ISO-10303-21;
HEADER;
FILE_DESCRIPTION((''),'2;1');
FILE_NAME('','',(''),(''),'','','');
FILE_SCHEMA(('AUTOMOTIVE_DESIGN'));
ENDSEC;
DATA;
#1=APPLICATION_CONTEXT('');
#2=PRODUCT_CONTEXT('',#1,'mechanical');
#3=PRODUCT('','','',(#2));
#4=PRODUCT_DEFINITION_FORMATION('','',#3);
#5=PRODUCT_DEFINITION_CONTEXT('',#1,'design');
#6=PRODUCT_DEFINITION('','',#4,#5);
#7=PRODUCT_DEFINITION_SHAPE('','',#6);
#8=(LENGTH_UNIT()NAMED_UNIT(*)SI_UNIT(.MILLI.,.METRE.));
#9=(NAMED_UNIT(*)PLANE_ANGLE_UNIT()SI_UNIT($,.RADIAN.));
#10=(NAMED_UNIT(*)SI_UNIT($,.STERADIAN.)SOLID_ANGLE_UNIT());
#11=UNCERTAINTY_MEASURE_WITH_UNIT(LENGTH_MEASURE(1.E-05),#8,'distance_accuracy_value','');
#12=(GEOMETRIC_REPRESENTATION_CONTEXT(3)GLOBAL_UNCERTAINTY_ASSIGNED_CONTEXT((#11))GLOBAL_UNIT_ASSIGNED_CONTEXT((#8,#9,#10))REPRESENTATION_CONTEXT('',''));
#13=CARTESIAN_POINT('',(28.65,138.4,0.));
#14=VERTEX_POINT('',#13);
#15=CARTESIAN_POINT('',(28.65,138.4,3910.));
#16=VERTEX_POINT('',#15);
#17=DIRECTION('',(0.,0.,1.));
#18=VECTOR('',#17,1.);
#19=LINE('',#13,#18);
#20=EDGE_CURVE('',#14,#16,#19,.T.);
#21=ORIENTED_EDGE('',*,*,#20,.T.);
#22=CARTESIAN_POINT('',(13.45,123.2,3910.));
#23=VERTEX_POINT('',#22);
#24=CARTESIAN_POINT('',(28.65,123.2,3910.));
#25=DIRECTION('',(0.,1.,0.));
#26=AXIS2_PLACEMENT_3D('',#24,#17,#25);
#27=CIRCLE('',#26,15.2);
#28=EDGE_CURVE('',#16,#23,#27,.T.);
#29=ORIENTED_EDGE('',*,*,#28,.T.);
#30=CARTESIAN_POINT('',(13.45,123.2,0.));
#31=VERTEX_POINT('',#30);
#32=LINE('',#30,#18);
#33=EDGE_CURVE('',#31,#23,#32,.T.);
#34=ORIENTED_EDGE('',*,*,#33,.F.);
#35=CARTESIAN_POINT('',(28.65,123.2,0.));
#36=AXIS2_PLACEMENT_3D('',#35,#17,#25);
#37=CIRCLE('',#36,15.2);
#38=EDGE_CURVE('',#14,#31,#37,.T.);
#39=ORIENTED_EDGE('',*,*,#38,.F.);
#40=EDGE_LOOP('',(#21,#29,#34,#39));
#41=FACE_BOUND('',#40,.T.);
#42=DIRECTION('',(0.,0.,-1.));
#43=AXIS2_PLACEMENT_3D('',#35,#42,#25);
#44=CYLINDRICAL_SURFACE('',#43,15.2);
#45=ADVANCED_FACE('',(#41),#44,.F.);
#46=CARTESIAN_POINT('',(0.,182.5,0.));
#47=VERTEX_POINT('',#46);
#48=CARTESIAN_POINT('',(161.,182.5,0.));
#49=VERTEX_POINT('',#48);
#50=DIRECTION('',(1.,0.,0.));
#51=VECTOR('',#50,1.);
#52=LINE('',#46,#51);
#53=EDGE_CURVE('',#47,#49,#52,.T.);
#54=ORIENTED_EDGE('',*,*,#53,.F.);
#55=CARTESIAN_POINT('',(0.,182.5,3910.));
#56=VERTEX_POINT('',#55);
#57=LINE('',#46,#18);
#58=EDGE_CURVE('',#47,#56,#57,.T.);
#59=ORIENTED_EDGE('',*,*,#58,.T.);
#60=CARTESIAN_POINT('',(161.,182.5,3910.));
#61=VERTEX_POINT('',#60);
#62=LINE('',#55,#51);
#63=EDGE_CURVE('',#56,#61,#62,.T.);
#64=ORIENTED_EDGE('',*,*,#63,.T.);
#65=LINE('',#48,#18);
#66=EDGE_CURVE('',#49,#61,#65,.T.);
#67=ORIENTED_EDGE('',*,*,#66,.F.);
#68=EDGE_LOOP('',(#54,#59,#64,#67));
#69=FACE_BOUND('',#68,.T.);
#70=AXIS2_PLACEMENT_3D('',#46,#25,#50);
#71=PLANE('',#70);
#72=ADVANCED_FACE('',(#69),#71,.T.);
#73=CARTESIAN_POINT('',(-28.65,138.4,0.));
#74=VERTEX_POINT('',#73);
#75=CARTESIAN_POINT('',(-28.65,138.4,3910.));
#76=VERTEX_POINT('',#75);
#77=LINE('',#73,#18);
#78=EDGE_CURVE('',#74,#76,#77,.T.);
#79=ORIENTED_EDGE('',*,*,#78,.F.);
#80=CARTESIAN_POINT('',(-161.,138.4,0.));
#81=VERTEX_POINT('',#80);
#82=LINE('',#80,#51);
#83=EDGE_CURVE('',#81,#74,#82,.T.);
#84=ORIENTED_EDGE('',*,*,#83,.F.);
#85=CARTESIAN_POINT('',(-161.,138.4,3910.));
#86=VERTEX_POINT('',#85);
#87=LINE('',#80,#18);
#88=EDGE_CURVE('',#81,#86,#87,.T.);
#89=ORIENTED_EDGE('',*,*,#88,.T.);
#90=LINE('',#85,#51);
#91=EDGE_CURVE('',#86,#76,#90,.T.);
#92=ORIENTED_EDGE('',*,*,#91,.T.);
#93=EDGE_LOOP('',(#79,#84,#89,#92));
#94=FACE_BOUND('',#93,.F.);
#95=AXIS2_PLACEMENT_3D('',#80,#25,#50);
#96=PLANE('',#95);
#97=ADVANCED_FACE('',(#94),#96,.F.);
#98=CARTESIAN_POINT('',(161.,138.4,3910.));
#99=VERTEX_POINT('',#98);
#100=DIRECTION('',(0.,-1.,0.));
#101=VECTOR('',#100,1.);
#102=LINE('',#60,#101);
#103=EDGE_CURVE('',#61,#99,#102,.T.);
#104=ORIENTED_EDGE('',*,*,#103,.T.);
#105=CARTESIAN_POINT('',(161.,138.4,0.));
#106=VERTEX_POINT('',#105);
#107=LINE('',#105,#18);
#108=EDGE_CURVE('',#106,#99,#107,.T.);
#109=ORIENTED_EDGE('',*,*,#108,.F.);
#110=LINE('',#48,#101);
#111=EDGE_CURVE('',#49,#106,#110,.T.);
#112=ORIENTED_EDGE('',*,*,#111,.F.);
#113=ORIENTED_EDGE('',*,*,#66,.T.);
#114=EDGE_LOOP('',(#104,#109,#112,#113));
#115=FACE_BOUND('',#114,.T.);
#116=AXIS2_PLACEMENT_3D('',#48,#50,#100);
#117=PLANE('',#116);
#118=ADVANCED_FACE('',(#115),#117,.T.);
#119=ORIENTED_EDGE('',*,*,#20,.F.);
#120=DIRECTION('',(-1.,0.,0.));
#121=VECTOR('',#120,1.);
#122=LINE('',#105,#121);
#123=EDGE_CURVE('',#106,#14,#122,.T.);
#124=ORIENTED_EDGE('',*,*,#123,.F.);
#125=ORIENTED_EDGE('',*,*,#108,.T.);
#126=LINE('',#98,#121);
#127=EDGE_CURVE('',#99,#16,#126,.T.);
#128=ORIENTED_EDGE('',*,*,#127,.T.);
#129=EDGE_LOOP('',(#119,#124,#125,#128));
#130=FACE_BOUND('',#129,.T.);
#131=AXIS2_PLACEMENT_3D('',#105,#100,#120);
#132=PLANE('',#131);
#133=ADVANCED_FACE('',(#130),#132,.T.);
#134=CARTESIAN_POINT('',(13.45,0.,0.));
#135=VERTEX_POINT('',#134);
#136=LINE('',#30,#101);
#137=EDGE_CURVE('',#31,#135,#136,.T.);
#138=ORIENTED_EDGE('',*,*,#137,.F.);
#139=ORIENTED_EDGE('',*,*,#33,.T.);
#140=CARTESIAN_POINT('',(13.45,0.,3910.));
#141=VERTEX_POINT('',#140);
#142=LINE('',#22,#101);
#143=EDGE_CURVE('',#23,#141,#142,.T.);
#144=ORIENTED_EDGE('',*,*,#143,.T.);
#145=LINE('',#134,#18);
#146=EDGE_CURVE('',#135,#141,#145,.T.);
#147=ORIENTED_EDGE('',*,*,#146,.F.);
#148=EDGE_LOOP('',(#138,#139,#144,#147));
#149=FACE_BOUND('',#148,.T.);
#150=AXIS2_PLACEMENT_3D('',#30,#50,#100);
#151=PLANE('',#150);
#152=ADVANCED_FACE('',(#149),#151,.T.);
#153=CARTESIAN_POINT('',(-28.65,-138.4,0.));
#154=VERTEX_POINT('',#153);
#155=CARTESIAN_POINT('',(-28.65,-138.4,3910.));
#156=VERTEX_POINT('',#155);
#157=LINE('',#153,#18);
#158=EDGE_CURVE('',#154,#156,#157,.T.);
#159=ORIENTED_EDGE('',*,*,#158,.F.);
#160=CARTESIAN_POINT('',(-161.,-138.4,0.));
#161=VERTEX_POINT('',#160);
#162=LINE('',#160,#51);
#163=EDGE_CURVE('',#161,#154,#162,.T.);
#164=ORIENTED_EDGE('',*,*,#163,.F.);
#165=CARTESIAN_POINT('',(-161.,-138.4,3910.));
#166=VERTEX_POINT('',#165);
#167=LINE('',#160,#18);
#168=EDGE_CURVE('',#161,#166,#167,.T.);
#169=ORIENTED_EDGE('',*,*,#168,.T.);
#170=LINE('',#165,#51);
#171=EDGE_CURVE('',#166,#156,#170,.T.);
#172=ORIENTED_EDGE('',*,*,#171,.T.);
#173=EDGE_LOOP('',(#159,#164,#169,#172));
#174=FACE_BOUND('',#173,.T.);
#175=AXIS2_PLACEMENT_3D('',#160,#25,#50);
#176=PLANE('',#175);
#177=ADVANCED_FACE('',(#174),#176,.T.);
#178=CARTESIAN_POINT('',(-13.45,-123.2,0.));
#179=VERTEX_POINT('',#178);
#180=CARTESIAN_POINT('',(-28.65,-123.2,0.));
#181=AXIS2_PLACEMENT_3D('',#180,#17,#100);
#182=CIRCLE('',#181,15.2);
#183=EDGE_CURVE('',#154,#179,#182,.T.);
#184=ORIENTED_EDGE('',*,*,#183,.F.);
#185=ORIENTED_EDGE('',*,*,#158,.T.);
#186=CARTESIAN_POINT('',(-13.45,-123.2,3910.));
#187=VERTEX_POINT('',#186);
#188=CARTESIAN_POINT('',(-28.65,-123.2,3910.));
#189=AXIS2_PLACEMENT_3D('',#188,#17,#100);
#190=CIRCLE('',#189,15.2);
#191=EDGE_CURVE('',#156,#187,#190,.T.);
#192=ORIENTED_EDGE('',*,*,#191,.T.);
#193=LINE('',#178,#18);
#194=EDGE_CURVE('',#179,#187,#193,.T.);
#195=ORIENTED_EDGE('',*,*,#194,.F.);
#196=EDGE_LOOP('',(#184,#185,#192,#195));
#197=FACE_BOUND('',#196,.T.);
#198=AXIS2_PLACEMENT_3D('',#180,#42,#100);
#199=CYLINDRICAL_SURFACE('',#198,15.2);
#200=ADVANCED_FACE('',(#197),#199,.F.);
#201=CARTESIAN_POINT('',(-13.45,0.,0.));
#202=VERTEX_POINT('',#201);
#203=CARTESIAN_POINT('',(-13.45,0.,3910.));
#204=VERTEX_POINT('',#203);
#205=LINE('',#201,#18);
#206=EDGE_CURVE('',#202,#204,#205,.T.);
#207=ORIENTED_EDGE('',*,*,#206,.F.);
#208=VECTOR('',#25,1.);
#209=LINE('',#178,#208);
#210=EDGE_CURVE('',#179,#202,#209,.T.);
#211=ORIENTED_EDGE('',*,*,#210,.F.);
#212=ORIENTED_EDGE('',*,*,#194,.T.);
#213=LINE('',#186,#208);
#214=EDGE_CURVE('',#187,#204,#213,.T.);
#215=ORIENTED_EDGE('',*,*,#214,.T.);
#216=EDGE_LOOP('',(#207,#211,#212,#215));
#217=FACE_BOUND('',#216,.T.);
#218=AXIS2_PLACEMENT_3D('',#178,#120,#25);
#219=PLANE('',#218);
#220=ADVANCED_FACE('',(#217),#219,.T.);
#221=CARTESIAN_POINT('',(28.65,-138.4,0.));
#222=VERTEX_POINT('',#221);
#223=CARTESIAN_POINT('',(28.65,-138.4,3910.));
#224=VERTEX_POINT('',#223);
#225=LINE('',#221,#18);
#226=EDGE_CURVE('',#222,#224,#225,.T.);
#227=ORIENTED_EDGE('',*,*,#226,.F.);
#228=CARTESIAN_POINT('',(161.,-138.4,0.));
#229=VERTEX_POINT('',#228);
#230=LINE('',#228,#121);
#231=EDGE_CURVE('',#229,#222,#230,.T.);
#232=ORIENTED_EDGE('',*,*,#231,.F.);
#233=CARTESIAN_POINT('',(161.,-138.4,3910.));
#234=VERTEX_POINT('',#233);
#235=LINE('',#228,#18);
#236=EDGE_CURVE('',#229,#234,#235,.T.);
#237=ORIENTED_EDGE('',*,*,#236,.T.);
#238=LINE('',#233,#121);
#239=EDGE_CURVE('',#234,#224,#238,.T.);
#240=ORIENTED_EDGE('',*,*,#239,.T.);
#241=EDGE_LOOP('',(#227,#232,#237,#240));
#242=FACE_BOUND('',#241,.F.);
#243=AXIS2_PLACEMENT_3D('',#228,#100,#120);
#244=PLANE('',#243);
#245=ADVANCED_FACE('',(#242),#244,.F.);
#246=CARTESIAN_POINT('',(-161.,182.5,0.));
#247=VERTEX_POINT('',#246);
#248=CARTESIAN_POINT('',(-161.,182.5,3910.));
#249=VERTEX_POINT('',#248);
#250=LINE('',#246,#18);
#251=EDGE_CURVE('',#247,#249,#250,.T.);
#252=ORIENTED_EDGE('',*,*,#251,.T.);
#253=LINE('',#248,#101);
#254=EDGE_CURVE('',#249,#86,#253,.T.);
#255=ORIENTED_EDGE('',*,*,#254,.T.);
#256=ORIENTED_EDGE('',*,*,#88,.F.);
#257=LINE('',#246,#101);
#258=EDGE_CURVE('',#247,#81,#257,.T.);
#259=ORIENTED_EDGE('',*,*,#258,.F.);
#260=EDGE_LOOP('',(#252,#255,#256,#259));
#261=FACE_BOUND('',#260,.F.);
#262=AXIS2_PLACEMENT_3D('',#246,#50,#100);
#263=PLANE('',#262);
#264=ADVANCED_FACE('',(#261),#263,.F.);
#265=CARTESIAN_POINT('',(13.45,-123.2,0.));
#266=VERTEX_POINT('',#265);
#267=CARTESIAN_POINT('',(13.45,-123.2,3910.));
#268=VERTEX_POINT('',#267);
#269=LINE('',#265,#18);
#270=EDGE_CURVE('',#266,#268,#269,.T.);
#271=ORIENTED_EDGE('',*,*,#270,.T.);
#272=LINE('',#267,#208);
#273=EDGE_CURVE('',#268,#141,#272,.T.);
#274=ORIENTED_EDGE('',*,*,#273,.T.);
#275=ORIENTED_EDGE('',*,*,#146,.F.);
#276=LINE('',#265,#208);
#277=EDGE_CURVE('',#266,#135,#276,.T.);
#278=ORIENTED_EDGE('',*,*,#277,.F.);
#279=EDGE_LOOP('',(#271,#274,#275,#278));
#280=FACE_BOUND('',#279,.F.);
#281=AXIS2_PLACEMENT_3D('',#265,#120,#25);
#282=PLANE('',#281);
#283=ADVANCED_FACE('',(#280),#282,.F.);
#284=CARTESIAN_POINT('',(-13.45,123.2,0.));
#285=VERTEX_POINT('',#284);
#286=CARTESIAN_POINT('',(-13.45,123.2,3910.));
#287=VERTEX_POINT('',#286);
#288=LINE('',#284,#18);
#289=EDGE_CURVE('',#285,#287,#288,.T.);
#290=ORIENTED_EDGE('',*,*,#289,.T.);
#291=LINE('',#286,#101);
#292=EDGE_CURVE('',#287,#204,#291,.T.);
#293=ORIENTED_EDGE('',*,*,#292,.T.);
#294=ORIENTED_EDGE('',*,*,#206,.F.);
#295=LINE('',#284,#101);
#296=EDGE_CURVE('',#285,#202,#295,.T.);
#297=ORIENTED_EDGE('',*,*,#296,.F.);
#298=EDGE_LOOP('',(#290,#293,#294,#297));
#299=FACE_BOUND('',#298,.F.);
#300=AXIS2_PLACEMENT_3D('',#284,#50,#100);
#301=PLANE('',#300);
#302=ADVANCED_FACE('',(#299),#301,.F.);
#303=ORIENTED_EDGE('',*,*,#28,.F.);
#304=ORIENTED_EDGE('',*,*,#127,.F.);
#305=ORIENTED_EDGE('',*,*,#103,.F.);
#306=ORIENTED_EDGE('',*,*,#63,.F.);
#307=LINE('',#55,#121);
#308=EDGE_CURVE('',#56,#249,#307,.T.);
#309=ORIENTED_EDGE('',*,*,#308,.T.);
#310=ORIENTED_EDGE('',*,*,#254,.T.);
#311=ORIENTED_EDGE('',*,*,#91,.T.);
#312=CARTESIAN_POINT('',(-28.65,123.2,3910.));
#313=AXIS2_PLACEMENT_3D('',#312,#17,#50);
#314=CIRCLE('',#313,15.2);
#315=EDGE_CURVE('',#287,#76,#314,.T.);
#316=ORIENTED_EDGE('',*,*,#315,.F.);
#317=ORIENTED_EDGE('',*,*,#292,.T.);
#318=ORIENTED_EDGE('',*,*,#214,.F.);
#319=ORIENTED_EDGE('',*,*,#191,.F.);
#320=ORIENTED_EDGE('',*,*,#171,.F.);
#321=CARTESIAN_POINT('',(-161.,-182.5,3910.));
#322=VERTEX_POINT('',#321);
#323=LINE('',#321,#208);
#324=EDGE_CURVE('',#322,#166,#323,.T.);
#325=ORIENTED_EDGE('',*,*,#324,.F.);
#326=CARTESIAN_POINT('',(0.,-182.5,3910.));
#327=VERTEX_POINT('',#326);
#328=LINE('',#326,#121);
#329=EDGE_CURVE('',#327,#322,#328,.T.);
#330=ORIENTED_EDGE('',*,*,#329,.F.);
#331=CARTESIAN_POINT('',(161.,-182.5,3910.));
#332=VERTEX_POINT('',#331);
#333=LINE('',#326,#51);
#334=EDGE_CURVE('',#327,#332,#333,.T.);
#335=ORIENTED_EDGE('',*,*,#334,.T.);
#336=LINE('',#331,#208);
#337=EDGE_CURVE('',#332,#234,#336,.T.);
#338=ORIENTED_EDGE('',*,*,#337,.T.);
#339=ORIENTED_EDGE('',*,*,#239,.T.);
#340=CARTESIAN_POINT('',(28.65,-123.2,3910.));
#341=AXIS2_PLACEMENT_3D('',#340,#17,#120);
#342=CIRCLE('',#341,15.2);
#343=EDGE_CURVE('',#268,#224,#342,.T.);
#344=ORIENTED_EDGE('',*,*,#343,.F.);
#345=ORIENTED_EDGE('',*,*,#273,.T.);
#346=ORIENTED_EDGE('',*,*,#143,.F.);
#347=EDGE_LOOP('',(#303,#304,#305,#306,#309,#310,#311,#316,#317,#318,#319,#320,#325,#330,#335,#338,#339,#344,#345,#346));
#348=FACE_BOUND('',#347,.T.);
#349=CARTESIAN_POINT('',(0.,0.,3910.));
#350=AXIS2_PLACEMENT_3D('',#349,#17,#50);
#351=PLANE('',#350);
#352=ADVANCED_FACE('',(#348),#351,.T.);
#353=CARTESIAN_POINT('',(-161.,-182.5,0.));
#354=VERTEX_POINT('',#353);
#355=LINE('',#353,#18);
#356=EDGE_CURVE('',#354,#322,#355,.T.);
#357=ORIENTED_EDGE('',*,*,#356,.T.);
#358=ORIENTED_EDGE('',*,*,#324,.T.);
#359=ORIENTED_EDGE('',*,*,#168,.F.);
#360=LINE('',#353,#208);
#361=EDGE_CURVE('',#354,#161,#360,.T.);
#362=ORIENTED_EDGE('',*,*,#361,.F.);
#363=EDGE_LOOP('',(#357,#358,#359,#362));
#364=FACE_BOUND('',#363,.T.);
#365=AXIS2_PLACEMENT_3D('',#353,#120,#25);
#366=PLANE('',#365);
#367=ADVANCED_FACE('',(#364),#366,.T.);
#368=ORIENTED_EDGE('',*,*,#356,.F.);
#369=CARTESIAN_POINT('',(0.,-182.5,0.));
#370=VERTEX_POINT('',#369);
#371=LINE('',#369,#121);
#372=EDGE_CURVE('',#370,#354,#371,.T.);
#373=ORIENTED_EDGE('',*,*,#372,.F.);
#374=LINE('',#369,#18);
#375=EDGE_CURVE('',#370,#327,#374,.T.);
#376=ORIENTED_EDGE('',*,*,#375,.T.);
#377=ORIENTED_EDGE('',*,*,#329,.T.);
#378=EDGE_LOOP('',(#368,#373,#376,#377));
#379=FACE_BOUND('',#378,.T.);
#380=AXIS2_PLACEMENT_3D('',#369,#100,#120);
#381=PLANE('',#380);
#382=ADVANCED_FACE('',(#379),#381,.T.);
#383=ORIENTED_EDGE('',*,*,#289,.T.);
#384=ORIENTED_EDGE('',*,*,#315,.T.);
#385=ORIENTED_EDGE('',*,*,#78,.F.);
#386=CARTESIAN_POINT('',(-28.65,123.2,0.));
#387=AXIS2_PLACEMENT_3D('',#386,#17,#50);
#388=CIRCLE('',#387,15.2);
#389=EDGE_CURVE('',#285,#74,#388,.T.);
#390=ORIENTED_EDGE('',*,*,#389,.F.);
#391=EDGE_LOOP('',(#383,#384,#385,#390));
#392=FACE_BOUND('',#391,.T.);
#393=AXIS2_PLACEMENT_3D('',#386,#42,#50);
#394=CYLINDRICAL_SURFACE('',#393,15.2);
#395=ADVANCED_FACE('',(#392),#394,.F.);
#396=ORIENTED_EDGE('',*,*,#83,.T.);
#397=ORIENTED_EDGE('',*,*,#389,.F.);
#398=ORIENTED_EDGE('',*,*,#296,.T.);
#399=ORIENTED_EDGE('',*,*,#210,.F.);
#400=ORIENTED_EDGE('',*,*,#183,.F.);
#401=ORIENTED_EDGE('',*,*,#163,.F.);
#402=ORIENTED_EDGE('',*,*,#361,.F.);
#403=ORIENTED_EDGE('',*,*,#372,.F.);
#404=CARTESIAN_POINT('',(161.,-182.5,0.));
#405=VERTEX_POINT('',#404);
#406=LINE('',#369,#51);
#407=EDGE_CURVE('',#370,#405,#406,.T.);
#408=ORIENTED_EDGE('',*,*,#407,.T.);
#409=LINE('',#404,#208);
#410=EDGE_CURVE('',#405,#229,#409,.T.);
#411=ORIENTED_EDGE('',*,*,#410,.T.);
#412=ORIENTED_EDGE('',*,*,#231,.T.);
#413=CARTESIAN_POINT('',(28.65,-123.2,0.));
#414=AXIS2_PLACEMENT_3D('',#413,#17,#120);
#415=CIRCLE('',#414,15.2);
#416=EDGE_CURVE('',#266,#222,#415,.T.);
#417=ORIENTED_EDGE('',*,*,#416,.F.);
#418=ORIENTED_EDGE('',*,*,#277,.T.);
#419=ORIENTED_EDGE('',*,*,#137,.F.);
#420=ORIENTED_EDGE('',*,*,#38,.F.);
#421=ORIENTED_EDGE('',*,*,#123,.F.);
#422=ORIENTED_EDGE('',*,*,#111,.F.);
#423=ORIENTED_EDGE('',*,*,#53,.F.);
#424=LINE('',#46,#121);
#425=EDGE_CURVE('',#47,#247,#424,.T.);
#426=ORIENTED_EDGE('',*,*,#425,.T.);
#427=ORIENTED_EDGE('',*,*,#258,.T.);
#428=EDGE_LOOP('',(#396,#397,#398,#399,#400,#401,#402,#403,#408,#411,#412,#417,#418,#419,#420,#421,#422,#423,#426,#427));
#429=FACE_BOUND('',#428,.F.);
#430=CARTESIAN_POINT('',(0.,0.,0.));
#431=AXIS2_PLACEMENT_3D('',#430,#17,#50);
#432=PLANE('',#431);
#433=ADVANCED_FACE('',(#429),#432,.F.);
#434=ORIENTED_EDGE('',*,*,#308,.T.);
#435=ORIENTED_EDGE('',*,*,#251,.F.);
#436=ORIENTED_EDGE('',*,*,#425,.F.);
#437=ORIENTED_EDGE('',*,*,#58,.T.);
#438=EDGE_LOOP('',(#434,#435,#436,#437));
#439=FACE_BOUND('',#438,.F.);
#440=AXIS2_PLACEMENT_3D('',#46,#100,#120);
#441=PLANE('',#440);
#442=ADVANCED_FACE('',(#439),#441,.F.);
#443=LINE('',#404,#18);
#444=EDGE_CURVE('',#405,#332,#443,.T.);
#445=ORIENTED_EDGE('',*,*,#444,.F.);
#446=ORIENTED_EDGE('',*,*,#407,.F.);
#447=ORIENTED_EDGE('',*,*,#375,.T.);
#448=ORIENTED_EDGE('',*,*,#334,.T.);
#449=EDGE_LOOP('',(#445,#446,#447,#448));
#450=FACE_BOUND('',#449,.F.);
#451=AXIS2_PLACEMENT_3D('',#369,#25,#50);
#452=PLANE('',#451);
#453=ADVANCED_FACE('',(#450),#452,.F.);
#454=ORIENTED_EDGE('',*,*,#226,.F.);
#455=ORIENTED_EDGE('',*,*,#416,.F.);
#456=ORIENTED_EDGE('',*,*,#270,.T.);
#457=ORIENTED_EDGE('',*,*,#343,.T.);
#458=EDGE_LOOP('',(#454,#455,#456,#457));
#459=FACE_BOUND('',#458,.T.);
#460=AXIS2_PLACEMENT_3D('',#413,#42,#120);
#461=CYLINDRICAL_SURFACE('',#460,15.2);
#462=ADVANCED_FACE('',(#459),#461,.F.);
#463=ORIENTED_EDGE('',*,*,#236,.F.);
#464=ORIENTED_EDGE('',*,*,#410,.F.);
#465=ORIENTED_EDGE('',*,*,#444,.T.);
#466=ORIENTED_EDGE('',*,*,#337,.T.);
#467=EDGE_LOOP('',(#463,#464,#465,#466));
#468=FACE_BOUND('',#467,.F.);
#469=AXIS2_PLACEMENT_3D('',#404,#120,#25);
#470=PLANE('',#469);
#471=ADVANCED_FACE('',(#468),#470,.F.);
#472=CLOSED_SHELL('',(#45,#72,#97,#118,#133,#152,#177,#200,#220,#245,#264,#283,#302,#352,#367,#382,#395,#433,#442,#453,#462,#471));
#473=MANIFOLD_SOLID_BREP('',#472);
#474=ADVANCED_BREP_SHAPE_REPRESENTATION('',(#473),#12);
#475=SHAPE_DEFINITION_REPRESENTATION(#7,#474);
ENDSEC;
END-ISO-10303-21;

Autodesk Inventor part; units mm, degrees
ref_plane "YZ Plane" through (0, 0, 0) normal (1, 0, 0) x (0, 1, 0)
ref_plane "Start plane" through (0, 0, 0) normal (0, 0, 1) x (1, 0, 0)
ref_plane "End plane" through (0, 0, 3910) normal (0, 0, 1) x (1, 0, 0)
sketch "Sketch" plane through (0, 0, 0) normal (0, 0, 1) x (1, 0, 0)
  line L0 (-161, -182.5) -> (-161, -138.4)
  line L1 (-161, -138.4) -> (-28.65, -138.4)
  line L2 (-13.45, -123.2) -> (-13.45, 0)
  line L3 (-13.45, 0) -> (0, 0) construction
  line L4 (0, 0) -> (0, -182.5) construction
  line L5 (0, -182.5) -> (-161, -182.5)
  line L6 (-60, 0) -> (80, 0) construction
  line L7 (0, -60) -> (0, 80) construction
  line L8 (161, -182.5) -> (161, -138.4)
  line L9 (161, -138.4) -> (28.65, -138.4)
  line L10 (13.45, -123.2) -> (13.45, 0)
  line L11 (13.45, 0) -> (0, 0) construction
  line L12 (0, -182.5) -> (161, -182.5)
  line L13 (-161, 182.5) -> (-161, 138.4)
  line L14 (-161, 138.4) -> (-28.65, 138.4)
  line L15 (-13.45, 123.2) -> (-13.45, 0)
  line L16 (0, 182.5) -> (-161, 182.5)
  line L17 (161, 182.5) -> (161, 138.4)
  line L18 (161, 138.4) -> (28.65, 138.4)
  line L19 (0, 182.5) -> (161, 182.5)
  line L20 (13.45, 123.2) -> (13.45, 0)
  arc A0 (-13.45, 123.2) -> (-28.65, 138.4) centre (-28.65, 123.2) ccw
  arc A1 (28.65, 138.4) -> (13.45, 123.2) centre (28.65, 123.2) ccw
  arc A2 (13.45, -123.2) -> (28.65, -138.4) centre (28.65, -123.2) ccw
  arc A3 (-28.65, -138.4) -> (-13.45, -123.2) centre (-28.65, -123.2) ccw
  line L21 (0, 108) -> (0, -88) construction
  line L22 (-88, 0) -> (108, 0) construction
  point P0 (-13.45, -138.4)
  point P1 (13.45, -138.4)
  point P2 (-13.45, 138.4)
  point P3 (13.45, 138.4)
  dimension "d1" = 182.5
  dimension "d2" = 44.1
  dimension "d3" = 161
  dimension "d4" = 13.45
  dimension "d10" = 15.2
extrude "Body" add sketch "Sketch" along normal up to surface (3910 mm away) from surface at 0
sketch "Sketch4" plane through (0, 0, 0) normal (0, 0, 1) x (1, 0, 0)
  line L0 (0, 0) -> (10, 0)
ref_plane "Work Plane3" through (0, 0, 0) normal (0, -1, 0) x (1, 0, 0)
sketch "Sketch5" plane through (0, 0, 0) normal (0, -1, 0) x (1, 0, 0)
  line L0 (-2, 0) -> (12, 0) projected
  line L1 (-2, 3910) -> (12, 3910) projected
  dimension "d14" = 3910
equation "\"d1\" = 0.5 * G_H"
equation "\"d2\" = G_T1"
equation "\"d3\" = 0.5 * G_W"
equation "\"d4\" = 0.5 * G_T"
equation "\"d10\" = G_IR"
equation "\"d5\" = G_L"
equation "\"G_W\" = 322"
equation "\"G_H\" = 365"
equation "\"G_T\" = 26.9"
equation "\"G_T1\" = 44.1"
equation "\"G_IR\" = 15.2"
equation "\"G_L\" = d14"
equation "\"G_OFFSET_START\" = 0"
equation "\"G_OFFSET_END\" = 0"
properties part number "AS 3679 - 310 UC - 283 - 3910" material "Steel, Mild"
